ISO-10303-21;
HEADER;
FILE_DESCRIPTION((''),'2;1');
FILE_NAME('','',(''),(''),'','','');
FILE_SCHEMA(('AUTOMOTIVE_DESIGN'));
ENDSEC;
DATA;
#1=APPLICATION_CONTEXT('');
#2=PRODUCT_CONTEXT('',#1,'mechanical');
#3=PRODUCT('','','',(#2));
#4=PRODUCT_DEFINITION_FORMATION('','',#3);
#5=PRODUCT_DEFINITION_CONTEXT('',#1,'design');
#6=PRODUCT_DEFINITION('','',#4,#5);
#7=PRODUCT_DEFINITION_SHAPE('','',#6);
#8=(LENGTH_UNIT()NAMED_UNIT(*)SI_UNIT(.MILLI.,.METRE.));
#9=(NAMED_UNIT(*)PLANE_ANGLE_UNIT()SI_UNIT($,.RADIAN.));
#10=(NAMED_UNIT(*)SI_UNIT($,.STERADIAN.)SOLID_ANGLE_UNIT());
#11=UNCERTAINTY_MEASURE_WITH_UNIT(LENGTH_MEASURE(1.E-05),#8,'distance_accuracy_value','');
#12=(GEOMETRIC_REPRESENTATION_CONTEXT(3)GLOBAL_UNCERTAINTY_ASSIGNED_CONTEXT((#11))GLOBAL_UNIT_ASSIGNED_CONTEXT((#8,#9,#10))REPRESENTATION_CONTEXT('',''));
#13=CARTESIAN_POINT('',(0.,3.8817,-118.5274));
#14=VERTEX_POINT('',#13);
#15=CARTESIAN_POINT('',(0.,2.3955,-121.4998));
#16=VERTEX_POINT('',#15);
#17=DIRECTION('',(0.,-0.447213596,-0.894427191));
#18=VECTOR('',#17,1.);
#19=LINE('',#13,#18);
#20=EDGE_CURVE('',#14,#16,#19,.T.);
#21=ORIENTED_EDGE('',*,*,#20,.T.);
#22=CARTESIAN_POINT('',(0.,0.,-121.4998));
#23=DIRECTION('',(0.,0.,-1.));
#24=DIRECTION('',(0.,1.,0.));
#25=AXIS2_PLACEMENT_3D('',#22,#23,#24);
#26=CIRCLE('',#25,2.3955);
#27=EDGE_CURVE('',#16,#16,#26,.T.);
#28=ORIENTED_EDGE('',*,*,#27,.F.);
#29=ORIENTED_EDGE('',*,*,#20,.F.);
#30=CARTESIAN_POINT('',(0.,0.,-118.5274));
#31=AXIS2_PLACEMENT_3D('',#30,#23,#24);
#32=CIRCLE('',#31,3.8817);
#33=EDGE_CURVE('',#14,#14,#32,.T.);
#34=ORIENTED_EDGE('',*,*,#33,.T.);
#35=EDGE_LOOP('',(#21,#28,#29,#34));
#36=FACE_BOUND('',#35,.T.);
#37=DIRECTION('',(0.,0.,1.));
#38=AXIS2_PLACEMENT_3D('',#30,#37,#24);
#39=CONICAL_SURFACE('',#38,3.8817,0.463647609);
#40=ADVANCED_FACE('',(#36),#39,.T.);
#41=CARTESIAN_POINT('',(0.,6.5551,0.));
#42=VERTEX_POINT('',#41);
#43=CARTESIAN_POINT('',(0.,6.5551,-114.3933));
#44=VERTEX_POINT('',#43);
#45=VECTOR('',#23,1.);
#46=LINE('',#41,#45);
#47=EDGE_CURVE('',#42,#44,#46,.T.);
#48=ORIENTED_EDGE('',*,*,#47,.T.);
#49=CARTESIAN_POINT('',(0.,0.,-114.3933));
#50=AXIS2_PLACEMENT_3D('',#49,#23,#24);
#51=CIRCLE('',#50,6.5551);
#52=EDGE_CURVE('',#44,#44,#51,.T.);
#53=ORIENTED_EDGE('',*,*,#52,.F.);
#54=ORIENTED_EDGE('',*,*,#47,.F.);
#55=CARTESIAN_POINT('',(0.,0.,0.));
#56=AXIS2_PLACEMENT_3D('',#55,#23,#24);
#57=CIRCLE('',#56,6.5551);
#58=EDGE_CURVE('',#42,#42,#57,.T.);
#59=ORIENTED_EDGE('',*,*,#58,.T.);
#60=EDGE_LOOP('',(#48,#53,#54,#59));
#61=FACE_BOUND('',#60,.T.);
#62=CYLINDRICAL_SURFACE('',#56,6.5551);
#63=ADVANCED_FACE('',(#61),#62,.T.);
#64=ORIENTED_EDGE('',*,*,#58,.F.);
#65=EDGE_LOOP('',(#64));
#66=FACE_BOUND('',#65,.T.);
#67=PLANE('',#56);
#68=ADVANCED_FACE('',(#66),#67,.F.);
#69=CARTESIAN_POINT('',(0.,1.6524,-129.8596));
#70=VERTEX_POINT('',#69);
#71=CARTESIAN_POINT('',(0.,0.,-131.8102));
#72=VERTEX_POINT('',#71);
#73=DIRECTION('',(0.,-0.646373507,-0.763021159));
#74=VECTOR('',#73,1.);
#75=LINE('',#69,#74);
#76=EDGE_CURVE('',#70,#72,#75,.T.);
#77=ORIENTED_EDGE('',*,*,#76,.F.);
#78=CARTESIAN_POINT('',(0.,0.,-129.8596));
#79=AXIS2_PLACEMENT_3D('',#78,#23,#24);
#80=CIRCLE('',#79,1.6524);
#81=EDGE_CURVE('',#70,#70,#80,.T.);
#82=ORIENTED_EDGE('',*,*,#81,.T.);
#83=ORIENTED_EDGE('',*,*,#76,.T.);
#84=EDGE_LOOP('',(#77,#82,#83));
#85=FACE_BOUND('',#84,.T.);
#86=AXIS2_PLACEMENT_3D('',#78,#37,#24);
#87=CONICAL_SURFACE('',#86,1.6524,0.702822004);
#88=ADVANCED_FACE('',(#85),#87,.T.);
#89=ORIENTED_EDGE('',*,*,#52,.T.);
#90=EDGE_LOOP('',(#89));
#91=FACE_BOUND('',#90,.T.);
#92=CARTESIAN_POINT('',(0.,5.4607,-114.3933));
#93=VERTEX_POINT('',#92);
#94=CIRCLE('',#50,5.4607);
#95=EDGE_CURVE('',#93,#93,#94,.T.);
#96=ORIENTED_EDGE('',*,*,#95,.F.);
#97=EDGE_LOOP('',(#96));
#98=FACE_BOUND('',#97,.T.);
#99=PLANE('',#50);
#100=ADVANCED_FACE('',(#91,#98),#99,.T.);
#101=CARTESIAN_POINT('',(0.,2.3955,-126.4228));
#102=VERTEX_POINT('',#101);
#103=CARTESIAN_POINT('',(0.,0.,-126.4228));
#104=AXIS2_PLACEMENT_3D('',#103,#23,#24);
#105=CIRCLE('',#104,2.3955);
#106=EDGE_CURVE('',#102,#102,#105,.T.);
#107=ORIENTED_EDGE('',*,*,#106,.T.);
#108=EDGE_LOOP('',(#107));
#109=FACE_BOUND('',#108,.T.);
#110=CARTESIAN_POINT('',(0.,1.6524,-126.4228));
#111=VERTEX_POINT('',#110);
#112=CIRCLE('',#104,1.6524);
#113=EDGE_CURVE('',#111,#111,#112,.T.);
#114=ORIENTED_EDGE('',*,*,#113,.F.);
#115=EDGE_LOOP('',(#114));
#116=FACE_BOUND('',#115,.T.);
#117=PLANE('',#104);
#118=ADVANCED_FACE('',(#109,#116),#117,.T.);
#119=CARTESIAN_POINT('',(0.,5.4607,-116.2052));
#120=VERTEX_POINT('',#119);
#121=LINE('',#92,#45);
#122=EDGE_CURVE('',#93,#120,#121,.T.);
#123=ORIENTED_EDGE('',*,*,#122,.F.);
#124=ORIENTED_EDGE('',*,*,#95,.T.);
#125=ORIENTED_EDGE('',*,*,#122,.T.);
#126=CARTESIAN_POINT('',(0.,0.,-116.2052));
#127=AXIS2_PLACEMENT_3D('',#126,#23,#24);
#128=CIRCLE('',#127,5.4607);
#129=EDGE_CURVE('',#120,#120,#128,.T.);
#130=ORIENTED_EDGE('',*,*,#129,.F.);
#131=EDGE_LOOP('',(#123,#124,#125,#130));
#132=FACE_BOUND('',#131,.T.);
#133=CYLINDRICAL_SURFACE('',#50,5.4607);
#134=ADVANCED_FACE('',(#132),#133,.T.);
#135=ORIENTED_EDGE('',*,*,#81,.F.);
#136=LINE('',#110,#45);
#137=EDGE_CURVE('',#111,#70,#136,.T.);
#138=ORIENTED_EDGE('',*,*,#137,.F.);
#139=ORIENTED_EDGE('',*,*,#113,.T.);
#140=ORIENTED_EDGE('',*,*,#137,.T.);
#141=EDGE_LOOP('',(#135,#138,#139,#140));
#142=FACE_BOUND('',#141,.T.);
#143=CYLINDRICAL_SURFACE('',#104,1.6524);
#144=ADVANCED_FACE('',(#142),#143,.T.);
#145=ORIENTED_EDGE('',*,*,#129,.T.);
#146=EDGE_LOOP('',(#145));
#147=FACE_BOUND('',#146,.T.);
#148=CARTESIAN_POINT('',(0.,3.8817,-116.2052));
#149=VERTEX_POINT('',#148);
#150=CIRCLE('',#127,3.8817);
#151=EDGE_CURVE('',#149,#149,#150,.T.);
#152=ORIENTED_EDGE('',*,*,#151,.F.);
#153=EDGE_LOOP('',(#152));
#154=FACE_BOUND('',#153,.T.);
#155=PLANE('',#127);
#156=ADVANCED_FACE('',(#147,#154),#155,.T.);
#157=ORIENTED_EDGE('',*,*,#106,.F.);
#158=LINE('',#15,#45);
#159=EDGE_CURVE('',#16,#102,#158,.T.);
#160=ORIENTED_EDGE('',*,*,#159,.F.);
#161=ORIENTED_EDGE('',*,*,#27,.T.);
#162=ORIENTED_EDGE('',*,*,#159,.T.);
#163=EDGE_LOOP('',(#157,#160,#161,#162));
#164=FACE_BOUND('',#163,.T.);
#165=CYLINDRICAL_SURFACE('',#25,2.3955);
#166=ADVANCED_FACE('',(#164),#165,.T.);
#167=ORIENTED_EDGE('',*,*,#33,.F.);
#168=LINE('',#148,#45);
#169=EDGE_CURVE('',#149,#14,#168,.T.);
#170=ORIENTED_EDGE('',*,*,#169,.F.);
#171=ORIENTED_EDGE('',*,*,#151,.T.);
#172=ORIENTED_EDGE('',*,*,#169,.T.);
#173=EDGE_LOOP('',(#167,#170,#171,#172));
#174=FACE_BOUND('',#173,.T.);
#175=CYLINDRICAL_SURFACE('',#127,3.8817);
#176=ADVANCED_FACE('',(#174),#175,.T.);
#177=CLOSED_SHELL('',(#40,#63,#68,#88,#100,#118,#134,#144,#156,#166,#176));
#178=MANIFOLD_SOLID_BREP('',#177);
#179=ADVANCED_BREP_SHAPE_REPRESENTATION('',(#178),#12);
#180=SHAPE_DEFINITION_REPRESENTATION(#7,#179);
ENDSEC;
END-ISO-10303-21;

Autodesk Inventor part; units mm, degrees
ref_plane "YZ Plane" through (0, 0, 0) normal (1, 0, 0) x (0, 1, 0)
ref_plane "XZ Plane" through (0, 0, 0) normal (0, 1, 0) x (-1, 0, 0)
ref_plane "XY Plane" through (0, 0, 0) normal (0, 0, 1) x (1, 0, 0)
sketch "Sketch1" plane through (0, 0, 0) normal (1, 0, 0) x (0, 1, 0)
  line L0 (0, 0) -> (0, -131.8102)
  line L1 (0, 0) -> (6.5551, 0)
  line L2 (6.5551, 0) -> (6.5551, -114.3933)
  line L3 (6.5551, -114.3933) -> (5.4607, -114.3933)
  line L4 (5.4607, -114.3933) -> (5.4607, -116.2052)
  line L5 (5.4607, -116.2052) -> (3.8817, -116.2052)
  line L6 (3.8817, -116.2052) -> (3.8817, -118.5274)
  line L7 (3.8817, -118.5274) -> (2.3955, -121.4998)
  line L8 (2.3955, -121.4998) -> (2.3955, -126.4228)
  line L9 (2.3955, -126.4228) -> (1.6524, -126.4228)
  line L10 (1.6524, -126.4228) -> (1.6524, -129.8596)
  line L11 (1.6524, -129.8596) -> (0, -131.8102)
revolve "Revolution1" add sketch "Sketch1" angle 360 about axis through (0, 0, 0) along (0, 0, -1)
properties part number "marker"
